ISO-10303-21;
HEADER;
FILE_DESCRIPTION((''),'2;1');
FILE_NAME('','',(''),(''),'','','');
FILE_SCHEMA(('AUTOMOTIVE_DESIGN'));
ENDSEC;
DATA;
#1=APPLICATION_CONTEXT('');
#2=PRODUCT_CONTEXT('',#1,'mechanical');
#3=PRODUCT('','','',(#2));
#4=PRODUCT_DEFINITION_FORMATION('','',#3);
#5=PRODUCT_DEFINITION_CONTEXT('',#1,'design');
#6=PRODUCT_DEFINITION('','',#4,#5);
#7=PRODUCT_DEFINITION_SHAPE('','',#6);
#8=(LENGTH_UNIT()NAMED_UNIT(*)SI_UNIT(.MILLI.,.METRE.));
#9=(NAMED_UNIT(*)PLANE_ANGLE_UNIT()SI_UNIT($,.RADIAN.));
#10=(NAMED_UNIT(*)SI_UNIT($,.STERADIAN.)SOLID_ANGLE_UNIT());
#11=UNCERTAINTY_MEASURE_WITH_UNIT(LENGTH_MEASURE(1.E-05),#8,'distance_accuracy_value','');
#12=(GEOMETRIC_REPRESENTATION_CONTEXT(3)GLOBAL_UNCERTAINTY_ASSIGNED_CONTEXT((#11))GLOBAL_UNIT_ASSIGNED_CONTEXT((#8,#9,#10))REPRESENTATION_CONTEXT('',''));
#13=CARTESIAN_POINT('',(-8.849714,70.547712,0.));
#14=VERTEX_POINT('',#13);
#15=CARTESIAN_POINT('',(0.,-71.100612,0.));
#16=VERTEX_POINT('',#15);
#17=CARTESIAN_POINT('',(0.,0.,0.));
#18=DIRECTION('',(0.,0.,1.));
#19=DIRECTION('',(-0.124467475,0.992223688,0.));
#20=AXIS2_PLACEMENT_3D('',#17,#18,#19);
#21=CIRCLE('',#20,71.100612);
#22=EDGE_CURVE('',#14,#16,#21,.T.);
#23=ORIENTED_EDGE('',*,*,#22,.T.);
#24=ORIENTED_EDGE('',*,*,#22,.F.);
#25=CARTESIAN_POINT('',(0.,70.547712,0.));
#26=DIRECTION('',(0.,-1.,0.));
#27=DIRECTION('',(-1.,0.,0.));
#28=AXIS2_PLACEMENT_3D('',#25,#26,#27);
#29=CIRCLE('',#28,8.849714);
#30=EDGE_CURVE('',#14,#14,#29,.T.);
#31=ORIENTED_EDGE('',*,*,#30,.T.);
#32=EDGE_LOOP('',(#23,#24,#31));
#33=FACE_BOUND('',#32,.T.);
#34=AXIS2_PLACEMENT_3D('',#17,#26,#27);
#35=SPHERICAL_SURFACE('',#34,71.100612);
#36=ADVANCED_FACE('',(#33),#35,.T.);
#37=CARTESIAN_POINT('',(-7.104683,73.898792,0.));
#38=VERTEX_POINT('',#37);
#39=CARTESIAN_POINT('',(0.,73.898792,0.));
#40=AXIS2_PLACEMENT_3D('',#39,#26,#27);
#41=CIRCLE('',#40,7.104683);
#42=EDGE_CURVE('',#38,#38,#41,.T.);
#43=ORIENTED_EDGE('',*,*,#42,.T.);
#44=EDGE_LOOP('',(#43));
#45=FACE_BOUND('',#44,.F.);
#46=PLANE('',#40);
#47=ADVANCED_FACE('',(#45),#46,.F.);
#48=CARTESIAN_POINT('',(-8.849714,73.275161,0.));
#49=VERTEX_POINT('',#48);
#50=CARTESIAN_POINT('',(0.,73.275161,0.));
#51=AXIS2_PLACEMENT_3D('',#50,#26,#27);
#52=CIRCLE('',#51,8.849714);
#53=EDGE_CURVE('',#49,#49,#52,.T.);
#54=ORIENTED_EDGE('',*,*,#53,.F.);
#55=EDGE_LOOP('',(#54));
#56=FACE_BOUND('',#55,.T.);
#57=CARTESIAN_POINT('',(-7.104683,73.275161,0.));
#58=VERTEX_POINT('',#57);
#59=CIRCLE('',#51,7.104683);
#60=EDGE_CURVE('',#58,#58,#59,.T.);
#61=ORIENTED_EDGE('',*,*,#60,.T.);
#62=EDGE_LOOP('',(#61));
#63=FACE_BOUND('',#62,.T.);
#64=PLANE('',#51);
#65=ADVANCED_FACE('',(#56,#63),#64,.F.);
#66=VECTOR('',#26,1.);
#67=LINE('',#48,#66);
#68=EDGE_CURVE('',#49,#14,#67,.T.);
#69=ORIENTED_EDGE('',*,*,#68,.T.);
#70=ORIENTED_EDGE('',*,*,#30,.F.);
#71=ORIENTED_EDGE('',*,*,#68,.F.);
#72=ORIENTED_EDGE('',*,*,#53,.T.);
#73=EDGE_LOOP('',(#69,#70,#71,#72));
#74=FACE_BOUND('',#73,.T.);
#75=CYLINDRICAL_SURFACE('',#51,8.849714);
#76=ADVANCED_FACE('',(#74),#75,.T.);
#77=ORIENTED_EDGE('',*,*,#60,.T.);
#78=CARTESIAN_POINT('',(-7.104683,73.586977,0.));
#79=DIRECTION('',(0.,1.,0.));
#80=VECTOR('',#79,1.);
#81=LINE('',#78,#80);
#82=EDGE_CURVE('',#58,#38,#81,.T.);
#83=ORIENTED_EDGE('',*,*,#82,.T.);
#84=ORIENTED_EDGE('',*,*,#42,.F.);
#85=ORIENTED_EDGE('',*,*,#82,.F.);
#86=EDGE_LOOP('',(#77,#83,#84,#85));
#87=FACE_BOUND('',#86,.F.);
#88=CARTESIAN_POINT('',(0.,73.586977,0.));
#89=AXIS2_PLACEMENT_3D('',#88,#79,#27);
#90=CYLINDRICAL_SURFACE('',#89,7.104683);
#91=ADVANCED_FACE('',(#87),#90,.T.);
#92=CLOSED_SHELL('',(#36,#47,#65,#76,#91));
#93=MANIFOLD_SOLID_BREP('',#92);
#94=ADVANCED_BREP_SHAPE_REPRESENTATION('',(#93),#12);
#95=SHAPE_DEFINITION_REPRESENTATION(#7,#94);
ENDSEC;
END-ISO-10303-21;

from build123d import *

# Parameters (mm, degrees)
F0_W = 7.1046827361
F0_H = 0.6236308965


with BuildPart() as f1:
    # F0 (on Top) → F1 (revolve)
    with BuildSketch(Plane.XY):
        with BuildLine():
            Line((0, -71.1006122068), (0, 71.1006122068))
            ThreePointArc((0, 71.1006122068), (-4.4334842691, 70.9622524545), (-8.8497136717, 70.5477116859))
            ThreePointArc((-8.8497136717, 70.5477116859), (-70.9622524545, -4.4334842691), (0, -71.1006122068))
        make_face()
        with BuildLine():
            ThreePointArc((-8.8497136717, 70.5477116859), (-4.4334842691, 70.9622524545), (0, 71.1006122068))
            Line((0, 71.1006122068), (0, 73.2751613703))
            Line((0, 73.2751613703), (-7.1046827361, 73.2751613703))
            Line((-7.1046827361, 73.2751613703), (-8.8497136717, 73.2751613703))
            Line((-8.8497136717, 73.2751613703), (-8.8497136717, 70.5477116859))
        make_face()
        with Locations((-3.552341368, 73.5869768186)):
            Rectangle(F0_W, F0_H)
    revolve(axis=Axis((0, -0.4040896893, 0), (0, -1, 0)))


solid = f1.part
